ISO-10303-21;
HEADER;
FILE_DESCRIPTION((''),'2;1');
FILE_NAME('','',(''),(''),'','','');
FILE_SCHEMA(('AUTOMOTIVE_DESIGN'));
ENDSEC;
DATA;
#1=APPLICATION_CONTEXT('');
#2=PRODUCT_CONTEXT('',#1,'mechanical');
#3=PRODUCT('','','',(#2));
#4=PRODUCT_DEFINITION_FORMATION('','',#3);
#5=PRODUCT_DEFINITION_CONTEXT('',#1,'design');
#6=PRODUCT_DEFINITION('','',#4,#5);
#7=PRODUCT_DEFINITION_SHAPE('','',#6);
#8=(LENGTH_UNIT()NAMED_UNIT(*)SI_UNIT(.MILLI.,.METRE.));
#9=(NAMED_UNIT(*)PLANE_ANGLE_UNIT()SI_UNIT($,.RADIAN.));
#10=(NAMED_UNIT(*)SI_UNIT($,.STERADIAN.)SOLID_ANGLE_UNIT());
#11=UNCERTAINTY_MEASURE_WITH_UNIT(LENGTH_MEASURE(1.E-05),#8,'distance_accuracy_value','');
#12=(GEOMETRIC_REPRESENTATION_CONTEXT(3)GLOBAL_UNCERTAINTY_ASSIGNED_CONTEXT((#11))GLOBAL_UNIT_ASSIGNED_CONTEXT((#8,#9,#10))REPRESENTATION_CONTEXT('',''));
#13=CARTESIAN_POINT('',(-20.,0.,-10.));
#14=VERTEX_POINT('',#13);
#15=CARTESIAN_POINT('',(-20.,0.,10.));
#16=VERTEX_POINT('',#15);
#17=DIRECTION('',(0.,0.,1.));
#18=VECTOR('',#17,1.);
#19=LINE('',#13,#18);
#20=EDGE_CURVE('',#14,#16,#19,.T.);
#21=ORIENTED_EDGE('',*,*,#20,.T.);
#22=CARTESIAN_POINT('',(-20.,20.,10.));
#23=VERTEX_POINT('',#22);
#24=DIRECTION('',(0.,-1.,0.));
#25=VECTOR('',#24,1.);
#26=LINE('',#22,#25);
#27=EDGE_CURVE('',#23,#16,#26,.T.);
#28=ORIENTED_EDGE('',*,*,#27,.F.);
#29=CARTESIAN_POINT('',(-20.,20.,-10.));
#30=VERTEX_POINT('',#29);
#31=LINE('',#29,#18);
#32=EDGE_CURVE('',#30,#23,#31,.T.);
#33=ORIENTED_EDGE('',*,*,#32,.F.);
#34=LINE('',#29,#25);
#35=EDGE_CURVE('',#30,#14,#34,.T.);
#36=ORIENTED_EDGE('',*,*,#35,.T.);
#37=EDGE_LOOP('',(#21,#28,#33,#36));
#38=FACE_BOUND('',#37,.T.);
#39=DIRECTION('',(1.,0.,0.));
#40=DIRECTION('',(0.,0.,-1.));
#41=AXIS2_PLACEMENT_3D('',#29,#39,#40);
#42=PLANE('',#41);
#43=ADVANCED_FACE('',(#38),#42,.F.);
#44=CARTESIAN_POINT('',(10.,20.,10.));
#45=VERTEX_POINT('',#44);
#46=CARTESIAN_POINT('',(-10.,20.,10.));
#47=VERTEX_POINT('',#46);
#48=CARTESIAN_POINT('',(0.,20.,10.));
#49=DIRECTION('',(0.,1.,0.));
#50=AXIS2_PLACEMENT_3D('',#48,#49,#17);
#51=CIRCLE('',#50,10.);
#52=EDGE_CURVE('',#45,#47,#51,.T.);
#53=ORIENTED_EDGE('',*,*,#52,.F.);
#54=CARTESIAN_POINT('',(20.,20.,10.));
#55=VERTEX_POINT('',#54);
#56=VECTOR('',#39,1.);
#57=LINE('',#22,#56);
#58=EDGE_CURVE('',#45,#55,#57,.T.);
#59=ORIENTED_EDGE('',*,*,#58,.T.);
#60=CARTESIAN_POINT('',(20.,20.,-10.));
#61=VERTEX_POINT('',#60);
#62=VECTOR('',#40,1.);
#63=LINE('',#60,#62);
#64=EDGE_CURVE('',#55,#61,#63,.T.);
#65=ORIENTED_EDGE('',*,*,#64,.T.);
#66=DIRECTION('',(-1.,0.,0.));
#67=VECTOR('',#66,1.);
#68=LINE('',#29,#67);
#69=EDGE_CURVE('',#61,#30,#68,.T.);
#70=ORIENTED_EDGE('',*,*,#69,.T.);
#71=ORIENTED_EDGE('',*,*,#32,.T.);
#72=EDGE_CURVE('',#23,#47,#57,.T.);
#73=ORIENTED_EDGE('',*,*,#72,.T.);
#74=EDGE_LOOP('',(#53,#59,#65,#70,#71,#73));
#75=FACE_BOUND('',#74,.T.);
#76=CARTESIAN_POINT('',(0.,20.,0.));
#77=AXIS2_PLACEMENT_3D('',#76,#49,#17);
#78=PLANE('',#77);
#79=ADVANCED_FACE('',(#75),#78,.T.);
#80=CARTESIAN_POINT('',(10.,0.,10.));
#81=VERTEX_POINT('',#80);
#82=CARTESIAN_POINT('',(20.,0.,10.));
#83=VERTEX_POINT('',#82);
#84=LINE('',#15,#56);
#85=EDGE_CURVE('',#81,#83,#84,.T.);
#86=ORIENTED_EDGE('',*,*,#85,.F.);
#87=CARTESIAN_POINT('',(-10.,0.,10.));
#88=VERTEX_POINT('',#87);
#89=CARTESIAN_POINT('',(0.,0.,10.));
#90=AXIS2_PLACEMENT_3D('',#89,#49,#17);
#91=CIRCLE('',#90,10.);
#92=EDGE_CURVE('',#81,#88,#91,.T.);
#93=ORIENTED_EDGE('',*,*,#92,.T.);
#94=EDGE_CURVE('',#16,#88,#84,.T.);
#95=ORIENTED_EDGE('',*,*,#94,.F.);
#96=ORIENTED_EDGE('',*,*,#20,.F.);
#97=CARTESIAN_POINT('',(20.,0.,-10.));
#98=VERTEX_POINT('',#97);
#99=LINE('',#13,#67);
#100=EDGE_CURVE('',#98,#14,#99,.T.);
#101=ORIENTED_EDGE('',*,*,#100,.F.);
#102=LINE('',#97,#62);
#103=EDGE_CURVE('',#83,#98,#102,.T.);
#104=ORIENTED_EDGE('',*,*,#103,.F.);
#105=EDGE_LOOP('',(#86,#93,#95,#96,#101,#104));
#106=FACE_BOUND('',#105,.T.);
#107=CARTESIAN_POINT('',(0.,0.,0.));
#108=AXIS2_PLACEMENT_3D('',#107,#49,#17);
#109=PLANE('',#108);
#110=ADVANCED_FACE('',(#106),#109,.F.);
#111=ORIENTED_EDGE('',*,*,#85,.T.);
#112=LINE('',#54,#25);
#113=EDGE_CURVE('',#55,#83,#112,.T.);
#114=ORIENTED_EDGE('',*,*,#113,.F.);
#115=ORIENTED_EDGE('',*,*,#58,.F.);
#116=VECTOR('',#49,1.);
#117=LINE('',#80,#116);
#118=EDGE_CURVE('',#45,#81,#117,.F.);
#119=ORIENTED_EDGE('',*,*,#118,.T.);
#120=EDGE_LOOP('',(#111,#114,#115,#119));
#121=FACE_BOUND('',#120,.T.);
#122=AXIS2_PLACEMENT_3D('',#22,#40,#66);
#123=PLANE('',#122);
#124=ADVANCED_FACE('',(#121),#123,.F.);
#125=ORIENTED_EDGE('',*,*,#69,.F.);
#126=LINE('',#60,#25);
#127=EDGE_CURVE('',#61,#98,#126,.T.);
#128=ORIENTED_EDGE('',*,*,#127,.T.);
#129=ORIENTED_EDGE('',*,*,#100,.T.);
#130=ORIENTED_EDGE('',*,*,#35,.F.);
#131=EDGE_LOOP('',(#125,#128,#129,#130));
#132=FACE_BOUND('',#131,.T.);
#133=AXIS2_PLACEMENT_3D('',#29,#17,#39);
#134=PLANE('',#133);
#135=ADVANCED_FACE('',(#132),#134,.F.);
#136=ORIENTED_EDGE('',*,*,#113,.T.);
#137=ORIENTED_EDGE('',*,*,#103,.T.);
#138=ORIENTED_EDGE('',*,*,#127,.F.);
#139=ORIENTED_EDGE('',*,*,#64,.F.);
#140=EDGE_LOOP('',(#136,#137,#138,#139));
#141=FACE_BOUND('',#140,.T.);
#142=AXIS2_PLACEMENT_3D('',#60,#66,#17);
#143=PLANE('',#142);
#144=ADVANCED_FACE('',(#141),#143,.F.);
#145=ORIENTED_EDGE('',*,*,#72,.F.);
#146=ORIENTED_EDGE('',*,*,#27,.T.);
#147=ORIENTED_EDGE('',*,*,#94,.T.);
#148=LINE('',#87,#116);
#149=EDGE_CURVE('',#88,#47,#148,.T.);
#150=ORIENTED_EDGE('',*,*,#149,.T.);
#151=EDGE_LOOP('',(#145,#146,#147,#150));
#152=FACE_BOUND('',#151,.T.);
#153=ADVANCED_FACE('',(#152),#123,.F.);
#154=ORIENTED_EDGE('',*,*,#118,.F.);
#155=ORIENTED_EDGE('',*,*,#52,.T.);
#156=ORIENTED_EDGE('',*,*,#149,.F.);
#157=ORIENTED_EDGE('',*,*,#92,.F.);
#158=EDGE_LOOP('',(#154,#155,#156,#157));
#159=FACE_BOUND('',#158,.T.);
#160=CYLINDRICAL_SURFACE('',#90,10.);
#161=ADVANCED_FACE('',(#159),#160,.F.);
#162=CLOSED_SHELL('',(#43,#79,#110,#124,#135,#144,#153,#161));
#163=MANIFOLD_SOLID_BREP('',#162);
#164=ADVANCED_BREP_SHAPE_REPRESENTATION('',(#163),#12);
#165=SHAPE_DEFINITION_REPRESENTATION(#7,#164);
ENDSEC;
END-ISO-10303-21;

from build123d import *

# Parameters (mm, degrees)
CROQUIS1_W              = 40
CROQUIS1_H              = 20
SALIENTE_EXTRUIR1_DEPTH = 20
CROQUIS2_R              = 10
CORTAR_EXTRUIR1_DEPTH   = 20


with BuildPart() as part:
    # Croquis1 → Saliente-Extruir1 (new body)
    with BuildSketch(Plane(origin=(0, 0, 0), x_dir=(1, 0, 0), z_dir=(0, 1, 0))):
        Rectangle(CROQUIS1_W, CROQUIS1_H)
    extrude(amount=SALIENTE_EXTRUIR1_DEPTH)

    # Croquis2 → Cortar-Extruir1 (cut)
    with BuildSketch(Plane(origin=(0, 20, 0), x_dir=(1, 0, 0), z_dir=(0, 1, 0))):
        with Locations((0, -10)):
            Circle(CROQUIS2_R)
    extrude(amount=-CORTAR_EXTRUIR1_DEPTH, mode=Mode.SUBTRACT)


solid = part.part
